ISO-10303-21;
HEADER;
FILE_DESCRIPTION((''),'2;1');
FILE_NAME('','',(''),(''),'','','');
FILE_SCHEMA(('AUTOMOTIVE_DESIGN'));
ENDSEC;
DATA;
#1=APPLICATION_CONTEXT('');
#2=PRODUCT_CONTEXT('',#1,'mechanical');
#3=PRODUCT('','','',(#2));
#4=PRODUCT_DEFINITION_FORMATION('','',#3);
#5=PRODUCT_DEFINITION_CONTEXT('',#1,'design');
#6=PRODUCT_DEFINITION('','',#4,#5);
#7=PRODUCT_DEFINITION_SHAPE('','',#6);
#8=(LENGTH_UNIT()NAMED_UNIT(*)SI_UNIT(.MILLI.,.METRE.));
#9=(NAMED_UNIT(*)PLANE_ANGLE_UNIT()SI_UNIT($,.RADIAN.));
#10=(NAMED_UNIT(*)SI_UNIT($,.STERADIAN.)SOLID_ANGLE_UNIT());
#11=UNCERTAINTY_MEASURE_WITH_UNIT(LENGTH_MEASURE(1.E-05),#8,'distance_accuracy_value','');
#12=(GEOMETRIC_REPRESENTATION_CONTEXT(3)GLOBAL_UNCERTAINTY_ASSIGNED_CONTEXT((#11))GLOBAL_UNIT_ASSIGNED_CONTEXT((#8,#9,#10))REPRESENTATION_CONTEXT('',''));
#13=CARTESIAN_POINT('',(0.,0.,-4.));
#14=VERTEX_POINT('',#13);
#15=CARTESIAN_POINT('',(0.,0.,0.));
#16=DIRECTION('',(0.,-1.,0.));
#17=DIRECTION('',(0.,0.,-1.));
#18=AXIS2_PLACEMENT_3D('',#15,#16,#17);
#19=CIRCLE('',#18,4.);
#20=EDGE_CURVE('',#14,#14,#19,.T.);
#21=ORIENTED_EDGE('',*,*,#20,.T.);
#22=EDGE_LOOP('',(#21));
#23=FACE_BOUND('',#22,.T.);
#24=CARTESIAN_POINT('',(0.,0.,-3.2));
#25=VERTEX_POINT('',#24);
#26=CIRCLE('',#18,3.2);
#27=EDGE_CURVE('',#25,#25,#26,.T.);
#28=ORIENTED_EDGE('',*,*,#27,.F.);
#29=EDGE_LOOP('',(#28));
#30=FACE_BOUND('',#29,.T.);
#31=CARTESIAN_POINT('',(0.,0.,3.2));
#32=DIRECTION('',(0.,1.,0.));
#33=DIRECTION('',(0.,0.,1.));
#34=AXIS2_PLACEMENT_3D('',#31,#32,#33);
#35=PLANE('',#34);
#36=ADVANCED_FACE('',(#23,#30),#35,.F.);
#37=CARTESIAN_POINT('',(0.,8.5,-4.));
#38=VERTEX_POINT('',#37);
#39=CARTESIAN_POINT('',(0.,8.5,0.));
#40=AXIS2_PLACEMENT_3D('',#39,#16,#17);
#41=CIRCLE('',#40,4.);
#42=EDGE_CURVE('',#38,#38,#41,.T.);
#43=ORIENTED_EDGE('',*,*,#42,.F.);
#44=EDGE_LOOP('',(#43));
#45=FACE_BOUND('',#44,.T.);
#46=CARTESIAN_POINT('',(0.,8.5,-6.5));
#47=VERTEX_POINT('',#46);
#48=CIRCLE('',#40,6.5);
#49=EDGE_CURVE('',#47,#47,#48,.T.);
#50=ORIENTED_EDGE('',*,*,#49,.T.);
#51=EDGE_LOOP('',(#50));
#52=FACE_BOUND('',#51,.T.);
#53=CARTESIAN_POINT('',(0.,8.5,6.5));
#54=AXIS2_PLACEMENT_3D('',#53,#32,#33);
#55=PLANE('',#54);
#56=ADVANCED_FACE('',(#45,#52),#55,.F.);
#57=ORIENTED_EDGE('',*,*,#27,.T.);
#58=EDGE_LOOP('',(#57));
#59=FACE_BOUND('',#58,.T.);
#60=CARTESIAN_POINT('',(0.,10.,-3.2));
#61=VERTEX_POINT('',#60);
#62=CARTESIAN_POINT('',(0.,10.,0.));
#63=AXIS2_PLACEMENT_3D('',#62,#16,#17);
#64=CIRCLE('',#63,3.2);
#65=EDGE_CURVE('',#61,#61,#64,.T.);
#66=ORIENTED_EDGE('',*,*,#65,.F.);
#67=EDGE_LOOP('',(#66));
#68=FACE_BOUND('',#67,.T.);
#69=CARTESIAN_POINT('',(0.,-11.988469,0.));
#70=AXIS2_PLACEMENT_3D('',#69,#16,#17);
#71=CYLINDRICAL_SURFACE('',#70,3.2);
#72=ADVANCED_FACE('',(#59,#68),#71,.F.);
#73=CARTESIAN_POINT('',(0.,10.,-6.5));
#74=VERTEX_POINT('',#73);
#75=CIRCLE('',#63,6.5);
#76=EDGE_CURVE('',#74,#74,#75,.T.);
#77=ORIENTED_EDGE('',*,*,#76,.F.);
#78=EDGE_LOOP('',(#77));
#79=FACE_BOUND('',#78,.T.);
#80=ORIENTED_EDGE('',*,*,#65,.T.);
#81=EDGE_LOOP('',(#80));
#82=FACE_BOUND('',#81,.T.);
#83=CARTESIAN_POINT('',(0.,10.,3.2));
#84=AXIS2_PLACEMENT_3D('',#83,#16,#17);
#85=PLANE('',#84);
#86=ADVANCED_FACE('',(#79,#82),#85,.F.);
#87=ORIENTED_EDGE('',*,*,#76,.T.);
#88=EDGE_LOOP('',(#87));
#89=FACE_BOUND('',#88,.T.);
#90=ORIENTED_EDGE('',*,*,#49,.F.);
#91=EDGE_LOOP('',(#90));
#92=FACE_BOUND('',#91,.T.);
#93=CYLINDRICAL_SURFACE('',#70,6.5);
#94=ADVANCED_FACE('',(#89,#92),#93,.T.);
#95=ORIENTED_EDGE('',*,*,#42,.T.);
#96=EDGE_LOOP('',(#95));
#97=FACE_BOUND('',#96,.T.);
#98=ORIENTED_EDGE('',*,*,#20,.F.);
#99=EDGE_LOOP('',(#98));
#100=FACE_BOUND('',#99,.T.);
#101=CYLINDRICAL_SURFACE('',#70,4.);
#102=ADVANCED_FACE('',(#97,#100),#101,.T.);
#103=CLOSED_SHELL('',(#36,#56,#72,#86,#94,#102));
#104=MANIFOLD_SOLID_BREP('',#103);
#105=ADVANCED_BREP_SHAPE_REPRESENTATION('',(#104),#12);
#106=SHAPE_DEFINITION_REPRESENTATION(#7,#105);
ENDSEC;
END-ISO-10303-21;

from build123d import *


with BuildPart() as part:
    # Эскиз1 → Повернуть1 (revolve)
    with BuildSketch(Plane(origin=(0, 0, 0), x_dir=(0, 0, -1), z_dir=(1, 0, 0)), mode=Mode.PRIVATE) as revolve_1_sk:
        Polygon((-3.2, 0), (-3.2, 10), (-6.5, 10), (-6.5, 8.5), (-4, 8.5), (-4, 0), align=None)
    revolve(revolve_1_sk.sketch.rotate(Axis((0, -11.988468529, 0), (0, 1, 0)), 180), axis=Axis((0, -11.988468529, 0), (0, 1, 0)))


solid = part.part
